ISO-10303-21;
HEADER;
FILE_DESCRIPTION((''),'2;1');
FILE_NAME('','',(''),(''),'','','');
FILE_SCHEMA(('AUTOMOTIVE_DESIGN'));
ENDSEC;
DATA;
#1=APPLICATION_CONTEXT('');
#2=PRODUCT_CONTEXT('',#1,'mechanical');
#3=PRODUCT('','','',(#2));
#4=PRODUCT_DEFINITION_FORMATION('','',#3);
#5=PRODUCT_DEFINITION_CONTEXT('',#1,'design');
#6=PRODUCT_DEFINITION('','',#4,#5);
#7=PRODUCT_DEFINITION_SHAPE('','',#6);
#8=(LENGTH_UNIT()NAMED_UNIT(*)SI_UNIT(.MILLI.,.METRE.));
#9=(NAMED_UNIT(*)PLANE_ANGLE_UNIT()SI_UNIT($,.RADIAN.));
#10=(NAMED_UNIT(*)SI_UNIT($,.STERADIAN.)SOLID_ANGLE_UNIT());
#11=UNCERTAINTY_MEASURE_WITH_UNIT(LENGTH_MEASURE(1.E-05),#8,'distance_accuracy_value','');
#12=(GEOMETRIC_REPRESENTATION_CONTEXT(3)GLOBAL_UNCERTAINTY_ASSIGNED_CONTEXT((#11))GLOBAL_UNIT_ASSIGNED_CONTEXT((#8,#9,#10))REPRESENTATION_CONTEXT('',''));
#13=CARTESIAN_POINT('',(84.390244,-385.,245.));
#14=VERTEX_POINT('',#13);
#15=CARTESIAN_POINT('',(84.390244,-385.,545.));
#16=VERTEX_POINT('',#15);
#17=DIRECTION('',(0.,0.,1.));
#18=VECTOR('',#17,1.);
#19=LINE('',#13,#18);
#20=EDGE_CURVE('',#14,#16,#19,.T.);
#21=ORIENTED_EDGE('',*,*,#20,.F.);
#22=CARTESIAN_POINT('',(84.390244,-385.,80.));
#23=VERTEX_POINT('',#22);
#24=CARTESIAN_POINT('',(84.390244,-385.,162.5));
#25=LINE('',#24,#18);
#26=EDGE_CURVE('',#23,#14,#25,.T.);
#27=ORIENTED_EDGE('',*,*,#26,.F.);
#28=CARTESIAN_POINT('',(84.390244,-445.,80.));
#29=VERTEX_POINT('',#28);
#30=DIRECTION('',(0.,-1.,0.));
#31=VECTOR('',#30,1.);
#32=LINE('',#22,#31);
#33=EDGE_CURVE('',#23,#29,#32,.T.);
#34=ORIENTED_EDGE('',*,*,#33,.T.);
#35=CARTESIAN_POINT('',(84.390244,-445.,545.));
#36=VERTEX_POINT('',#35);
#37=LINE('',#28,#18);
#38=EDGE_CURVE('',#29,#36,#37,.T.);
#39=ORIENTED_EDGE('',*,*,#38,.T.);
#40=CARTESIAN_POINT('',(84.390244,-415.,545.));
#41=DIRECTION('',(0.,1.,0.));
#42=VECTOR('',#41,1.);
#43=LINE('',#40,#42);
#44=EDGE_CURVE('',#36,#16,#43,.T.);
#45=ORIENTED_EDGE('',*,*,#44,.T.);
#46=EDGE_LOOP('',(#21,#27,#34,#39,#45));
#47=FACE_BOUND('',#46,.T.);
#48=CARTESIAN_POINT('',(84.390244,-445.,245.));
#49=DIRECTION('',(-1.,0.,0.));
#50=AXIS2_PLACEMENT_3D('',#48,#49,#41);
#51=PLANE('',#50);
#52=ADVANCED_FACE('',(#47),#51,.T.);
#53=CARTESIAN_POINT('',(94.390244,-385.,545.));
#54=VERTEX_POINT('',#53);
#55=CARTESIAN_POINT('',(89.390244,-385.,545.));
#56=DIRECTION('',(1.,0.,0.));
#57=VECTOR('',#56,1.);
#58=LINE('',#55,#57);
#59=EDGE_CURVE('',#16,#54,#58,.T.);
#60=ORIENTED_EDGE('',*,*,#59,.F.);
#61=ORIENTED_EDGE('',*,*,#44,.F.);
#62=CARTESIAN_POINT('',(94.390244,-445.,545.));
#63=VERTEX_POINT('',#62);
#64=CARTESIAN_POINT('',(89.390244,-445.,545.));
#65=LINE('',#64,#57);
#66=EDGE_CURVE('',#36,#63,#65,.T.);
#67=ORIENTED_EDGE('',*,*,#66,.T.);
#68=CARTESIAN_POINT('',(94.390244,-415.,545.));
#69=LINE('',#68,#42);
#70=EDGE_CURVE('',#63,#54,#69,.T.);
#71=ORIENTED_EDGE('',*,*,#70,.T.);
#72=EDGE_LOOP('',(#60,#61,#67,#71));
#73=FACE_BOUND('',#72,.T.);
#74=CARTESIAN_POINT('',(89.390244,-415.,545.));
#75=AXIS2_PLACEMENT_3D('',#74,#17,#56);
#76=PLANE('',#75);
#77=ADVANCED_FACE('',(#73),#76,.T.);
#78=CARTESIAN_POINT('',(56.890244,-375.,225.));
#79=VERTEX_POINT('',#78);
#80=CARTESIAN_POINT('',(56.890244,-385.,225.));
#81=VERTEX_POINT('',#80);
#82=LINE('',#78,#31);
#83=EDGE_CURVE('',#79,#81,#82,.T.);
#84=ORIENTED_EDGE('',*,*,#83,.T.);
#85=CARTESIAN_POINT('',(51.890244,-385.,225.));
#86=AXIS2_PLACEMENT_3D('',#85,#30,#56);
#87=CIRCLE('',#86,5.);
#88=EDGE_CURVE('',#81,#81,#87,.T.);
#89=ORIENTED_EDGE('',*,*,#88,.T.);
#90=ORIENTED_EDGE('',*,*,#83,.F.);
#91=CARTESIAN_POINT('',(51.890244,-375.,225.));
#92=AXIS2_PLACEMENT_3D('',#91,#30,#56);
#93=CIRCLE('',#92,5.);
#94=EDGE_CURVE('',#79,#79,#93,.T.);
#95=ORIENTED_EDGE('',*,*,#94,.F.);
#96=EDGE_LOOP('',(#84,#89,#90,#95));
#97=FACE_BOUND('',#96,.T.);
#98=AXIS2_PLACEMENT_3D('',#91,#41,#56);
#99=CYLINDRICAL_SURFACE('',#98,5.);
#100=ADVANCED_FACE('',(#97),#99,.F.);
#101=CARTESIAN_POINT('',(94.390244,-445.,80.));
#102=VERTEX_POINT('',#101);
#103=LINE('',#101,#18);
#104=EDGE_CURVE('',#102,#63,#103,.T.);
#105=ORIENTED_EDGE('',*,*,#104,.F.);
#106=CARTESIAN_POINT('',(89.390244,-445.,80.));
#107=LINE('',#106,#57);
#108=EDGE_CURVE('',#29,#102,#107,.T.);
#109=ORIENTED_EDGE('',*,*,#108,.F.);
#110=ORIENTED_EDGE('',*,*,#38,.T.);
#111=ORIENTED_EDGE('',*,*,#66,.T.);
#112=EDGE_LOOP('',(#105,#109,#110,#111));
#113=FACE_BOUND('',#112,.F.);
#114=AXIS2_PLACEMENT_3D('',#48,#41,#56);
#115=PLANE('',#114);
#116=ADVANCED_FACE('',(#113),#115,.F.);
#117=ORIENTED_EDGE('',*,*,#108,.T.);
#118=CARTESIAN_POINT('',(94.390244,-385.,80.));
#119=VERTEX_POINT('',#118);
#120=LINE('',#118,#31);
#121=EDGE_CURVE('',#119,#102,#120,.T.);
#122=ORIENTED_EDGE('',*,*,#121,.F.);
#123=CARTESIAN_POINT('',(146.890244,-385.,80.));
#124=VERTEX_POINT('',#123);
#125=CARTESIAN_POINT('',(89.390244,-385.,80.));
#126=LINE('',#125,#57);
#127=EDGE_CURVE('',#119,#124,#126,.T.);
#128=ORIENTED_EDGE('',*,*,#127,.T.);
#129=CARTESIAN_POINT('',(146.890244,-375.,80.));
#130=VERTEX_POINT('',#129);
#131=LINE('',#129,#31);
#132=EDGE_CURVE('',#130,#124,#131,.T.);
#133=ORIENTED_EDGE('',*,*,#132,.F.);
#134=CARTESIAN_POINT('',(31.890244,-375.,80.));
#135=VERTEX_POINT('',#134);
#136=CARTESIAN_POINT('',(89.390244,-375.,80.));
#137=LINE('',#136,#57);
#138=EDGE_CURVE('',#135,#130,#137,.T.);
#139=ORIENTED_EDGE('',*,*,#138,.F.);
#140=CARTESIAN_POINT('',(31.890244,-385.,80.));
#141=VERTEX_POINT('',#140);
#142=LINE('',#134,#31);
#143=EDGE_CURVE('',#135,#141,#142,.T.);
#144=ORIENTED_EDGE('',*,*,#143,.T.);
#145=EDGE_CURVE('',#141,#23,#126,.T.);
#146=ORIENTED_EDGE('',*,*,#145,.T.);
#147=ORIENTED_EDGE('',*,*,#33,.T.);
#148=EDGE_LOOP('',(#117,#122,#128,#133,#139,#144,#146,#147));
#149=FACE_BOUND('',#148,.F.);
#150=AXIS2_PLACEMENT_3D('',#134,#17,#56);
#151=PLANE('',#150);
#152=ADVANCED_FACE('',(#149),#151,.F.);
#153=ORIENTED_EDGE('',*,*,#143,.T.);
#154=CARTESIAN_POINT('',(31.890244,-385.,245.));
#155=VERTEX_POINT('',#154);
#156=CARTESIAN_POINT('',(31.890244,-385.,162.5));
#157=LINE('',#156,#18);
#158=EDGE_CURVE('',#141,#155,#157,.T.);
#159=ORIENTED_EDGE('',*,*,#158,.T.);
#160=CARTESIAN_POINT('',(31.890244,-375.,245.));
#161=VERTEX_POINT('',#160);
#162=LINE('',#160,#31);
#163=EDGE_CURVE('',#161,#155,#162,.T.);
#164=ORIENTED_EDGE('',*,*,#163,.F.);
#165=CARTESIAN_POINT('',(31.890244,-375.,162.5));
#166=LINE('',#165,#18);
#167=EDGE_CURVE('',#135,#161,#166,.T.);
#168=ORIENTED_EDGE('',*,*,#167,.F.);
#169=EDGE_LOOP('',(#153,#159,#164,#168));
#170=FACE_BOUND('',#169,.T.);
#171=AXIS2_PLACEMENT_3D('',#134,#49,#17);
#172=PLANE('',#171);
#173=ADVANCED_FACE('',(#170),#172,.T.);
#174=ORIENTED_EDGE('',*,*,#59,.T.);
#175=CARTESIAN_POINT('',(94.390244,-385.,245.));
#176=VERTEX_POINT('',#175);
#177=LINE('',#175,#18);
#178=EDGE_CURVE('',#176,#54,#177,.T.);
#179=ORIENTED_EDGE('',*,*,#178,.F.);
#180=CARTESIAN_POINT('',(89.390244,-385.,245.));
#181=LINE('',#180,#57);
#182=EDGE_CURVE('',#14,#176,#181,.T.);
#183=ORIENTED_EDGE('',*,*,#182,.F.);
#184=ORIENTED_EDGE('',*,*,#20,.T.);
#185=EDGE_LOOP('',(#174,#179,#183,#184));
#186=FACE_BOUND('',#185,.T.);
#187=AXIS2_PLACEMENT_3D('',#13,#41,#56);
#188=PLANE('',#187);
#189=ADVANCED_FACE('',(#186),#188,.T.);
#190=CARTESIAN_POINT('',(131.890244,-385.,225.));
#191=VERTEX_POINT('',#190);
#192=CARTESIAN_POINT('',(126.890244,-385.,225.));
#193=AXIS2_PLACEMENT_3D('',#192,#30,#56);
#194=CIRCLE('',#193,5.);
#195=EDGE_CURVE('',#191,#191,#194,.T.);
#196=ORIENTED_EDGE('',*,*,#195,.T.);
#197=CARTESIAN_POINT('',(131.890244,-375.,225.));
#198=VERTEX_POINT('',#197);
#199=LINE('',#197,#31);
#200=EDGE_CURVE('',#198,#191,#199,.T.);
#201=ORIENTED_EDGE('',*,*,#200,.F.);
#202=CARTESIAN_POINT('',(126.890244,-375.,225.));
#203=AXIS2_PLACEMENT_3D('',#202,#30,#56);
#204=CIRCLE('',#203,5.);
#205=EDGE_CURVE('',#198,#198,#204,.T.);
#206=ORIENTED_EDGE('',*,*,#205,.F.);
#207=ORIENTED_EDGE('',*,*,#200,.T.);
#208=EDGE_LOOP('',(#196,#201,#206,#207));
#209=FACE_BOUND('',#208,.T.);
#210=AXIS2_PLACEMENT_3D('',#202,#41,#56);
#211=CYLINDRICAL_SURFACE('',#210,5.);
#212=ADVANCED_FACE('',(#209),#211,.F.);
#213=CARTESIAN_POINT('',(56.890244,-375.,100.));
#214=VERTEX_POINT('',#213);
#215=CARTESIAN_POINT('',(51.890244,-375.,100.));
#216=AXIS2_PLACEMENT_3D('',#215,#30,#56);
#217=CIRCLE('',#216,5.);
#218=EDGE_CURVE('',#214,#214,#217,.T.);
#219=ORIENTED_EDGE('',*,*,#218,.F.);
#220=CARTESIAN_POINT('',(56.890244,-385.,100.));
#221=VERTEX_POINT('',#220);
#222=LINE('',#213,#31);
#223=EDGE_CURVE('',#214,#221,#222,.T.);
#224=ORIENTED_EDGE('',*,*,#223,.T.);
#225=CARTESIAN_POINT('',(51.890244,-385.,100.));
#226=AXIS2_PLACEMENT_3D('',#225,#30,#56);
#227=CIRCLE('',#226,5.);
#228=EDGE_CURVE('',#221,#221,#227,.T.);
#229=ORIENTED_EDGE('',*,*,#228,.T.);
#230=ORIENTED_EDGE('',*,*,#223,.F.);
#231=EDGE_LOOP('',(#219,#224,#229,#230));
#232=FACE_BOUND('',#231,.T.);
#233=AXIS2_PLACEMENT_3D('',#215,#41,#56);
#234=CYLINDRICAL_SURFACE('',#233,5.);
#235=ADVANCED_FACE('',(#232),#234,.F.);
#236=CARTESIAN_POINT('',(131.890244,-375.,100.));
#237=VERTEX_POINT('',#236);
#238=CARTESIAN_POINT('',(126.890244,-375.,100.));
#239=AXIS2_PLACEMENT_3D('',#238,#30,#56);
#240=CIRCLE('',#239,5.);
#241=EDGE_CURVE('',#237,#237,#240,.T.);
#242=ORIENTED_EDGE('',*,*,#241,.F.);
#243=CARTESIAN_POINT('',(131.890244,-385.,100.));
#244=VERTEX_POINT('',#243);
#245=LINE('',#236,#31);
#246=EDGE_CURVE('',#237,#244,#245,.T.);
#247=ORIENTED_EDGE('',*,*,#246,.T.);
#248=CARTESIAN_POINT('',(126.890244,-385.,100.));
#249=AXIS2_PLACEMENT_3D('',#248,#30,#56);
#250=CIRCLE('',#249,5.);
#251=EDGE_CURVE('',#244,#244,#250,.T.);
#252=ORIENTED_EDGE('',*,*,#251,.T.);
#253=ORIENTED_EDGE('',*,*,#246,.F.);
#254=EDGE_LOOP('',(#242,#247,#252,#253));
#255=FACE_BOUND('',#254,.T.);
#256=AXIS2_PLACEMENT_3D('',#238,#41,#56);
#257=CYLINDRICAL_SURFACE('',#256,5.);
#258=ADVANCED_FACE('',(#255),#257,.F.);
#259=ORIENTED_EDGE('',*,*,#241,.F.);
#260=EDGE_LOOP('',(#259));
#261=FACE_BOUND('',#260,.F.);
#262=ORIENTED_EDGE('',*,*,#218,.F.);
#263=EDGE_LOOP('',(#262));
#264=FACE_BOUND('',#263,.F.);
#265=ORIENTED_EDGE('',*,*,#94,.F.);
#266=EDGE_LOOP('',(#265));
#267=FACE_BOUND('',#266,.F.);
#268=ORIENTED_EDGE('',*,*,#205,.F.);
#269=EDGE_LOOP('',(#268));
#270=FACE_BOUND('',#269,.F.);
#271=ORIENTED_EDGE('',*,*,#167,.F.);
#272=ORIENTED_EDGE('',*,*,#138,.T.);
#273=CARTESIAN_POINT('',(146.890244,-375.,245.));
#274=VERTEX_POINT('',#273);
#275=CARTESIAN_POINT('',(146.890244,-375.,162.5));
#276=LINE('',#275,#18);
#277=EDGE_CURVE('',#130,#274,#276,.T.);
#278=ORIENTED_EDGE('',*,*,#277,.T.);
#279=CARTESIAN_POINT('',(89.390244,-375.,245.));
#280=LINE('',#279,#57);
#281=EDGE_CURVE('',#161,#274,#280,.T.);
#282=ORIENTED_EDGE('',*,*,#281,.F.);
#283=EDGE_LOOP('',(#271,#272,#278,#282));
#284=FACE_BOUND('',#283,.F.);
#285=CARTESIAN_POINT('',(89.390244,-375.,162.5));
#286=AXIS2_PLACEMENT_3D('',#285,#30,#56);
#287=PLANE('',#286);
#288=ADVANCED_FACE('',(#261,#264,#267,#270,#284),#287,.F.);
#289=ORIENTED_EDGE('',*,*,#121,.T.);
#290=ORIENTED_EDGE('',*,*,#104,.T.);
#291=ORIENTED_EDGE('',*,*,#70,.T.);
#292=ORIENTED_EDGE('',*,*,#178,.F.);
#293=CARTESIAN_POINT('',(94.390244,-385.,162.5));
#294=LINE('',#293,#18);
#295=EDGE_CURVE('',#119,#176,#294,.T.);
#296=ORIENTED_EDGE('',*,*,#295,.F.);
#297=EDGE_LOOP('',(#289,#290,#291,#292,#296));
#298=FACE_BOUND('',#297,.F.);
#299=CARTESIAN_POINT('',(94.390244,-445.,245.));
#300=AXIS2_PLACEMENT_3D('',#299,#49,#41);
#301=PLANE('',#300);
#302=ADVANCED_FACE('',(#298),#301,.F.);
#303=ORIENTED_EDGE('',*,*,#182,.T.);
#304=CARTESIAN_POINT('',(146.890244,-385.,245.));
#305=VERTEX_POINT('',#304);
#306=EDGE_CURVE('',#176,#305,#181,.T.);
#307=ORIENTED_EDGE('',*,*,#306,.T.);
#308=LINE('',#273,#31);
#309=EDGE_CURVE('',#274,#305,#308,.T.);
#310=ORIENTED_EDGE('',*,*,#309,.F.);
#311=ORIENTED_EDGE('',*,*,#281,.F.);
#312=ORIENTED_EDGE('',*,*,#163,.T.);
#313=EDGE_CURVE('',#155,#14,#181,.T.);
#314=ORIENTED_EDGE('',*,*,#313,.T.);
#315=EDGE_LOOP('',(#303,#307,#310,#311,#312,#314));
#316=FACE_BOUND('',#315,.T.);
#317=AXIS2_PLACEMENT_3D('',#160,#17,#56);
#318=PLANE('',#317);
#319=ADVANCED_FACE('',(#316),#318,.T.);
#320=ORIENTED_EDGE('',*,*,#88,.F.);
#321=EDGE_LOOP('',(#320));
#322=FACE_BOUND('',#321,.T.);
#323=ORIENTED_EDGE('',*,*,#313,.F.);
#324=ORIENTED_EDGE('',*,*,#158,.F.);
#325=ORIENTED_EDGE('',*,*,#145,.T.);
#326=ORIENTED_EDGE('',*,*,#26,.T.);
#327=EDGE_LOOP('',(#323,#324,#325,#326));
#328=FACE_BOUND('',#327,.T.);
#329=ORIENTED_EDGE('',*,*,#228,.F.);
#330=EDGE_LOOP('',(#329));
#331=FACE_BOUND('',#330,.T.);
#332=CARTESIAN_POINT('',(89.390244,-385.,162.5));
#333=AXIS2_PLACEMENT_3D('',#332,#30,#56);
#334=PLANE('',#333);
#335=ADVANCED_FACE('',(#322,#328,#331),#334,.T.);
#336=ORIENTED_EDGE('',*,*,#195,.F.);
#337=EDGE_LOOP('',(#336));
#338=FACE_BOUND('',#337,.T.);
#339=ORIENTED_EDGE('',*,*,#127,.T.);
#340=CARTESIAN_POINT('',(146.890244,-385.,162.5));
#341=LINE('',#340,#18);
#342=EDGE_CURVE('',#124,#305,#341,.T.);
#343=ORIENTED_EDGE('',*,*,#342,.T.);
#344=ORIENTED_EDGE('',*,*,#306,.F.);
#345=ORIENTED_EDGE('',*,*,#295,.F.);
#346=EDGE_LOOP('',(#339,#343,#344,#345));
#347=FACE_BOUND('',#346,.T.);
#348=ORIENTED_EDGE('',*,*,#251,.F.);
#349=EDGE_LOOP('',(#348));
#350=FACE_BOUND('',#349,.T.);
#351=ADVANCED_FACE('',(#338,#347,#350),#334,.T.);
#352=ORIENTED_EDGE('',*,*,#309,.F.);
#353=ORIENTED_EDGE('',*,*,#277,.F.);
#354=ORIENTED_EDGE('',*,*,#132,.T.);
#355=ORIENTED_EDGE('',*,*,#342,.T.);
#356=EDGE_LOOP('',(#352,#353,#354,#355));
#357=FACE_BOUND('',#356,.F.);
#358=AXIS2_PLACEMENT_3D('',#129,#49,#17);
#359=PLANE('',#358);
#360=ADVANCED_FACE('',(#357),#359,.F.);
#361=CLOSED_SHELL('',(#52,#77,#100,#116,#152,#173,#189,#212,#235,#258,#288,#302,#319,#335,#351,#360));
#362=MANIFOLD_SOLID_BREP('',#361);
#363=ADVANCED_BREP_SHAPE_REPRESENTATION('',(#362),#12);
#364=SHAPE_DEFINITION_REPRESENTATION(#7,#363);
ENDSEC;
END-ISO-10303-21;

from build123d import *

# Parameters (mm, degrees)
SKETCH_W     = 115
SKETCH_H     = 165
SKETCH_R     = 5
PAD_DEPTH    = 10
SKETCH001_W  = 10
SKETCH001_H  = 165
PAD001_DEPTH = 60
SKETCH002_W  = 10
SKETCH002_H  = 60
PAD002_DEPTH = 300


with BuildPart() as part:
    # Sketch (on Face1 of Copydouble_beam_01) → Pad (new body)
    with BuildSketch(Plane.XZ.offset(375)):
        with Locations((89.390244, 162.5)):
            Rectangle(SKETCH_W, SKETCH_H)
        with Locations((51.890244, 225)):
            Circle(SKETCH_R, mode=Mode.SUBTRACT)
        with Locations((126.890244, 100)):
            Circle(SKETCH_R, mode=Mode.SUBTRACT)
        with Locations((51.890244, 100)):
            Circle(SKETCH_R, mode=Mode.SUBTRACT)
        with Locations((126.890244, 225)):
            Circle(SKETCH_R, mode=Mode.SUBTRACT)
    extrude(amount=PAD_DEPTH)

    # Sketch001 (on Face10 of Pad) → Pad001 (join)
    with BuildSketch(Plane.XZ.offset(385)):
        with Locations((89.390244, 162.5)):
            Rectangle(SKETCH001_W, SKETCH001_H)
    extrude(amount=PAD001_DEPTH)

    # Sketch002 (on Face9 of Pad001) → Pad002 (join)
    with BuildSketch(Plane.XY.offset(245)):
        with Locations((89.390244, -415)):
            Rectangle(SKETCH002_W, SKETCH002_H)
    extrude(amount=PAD002_DEPTH)


solid = part.part
